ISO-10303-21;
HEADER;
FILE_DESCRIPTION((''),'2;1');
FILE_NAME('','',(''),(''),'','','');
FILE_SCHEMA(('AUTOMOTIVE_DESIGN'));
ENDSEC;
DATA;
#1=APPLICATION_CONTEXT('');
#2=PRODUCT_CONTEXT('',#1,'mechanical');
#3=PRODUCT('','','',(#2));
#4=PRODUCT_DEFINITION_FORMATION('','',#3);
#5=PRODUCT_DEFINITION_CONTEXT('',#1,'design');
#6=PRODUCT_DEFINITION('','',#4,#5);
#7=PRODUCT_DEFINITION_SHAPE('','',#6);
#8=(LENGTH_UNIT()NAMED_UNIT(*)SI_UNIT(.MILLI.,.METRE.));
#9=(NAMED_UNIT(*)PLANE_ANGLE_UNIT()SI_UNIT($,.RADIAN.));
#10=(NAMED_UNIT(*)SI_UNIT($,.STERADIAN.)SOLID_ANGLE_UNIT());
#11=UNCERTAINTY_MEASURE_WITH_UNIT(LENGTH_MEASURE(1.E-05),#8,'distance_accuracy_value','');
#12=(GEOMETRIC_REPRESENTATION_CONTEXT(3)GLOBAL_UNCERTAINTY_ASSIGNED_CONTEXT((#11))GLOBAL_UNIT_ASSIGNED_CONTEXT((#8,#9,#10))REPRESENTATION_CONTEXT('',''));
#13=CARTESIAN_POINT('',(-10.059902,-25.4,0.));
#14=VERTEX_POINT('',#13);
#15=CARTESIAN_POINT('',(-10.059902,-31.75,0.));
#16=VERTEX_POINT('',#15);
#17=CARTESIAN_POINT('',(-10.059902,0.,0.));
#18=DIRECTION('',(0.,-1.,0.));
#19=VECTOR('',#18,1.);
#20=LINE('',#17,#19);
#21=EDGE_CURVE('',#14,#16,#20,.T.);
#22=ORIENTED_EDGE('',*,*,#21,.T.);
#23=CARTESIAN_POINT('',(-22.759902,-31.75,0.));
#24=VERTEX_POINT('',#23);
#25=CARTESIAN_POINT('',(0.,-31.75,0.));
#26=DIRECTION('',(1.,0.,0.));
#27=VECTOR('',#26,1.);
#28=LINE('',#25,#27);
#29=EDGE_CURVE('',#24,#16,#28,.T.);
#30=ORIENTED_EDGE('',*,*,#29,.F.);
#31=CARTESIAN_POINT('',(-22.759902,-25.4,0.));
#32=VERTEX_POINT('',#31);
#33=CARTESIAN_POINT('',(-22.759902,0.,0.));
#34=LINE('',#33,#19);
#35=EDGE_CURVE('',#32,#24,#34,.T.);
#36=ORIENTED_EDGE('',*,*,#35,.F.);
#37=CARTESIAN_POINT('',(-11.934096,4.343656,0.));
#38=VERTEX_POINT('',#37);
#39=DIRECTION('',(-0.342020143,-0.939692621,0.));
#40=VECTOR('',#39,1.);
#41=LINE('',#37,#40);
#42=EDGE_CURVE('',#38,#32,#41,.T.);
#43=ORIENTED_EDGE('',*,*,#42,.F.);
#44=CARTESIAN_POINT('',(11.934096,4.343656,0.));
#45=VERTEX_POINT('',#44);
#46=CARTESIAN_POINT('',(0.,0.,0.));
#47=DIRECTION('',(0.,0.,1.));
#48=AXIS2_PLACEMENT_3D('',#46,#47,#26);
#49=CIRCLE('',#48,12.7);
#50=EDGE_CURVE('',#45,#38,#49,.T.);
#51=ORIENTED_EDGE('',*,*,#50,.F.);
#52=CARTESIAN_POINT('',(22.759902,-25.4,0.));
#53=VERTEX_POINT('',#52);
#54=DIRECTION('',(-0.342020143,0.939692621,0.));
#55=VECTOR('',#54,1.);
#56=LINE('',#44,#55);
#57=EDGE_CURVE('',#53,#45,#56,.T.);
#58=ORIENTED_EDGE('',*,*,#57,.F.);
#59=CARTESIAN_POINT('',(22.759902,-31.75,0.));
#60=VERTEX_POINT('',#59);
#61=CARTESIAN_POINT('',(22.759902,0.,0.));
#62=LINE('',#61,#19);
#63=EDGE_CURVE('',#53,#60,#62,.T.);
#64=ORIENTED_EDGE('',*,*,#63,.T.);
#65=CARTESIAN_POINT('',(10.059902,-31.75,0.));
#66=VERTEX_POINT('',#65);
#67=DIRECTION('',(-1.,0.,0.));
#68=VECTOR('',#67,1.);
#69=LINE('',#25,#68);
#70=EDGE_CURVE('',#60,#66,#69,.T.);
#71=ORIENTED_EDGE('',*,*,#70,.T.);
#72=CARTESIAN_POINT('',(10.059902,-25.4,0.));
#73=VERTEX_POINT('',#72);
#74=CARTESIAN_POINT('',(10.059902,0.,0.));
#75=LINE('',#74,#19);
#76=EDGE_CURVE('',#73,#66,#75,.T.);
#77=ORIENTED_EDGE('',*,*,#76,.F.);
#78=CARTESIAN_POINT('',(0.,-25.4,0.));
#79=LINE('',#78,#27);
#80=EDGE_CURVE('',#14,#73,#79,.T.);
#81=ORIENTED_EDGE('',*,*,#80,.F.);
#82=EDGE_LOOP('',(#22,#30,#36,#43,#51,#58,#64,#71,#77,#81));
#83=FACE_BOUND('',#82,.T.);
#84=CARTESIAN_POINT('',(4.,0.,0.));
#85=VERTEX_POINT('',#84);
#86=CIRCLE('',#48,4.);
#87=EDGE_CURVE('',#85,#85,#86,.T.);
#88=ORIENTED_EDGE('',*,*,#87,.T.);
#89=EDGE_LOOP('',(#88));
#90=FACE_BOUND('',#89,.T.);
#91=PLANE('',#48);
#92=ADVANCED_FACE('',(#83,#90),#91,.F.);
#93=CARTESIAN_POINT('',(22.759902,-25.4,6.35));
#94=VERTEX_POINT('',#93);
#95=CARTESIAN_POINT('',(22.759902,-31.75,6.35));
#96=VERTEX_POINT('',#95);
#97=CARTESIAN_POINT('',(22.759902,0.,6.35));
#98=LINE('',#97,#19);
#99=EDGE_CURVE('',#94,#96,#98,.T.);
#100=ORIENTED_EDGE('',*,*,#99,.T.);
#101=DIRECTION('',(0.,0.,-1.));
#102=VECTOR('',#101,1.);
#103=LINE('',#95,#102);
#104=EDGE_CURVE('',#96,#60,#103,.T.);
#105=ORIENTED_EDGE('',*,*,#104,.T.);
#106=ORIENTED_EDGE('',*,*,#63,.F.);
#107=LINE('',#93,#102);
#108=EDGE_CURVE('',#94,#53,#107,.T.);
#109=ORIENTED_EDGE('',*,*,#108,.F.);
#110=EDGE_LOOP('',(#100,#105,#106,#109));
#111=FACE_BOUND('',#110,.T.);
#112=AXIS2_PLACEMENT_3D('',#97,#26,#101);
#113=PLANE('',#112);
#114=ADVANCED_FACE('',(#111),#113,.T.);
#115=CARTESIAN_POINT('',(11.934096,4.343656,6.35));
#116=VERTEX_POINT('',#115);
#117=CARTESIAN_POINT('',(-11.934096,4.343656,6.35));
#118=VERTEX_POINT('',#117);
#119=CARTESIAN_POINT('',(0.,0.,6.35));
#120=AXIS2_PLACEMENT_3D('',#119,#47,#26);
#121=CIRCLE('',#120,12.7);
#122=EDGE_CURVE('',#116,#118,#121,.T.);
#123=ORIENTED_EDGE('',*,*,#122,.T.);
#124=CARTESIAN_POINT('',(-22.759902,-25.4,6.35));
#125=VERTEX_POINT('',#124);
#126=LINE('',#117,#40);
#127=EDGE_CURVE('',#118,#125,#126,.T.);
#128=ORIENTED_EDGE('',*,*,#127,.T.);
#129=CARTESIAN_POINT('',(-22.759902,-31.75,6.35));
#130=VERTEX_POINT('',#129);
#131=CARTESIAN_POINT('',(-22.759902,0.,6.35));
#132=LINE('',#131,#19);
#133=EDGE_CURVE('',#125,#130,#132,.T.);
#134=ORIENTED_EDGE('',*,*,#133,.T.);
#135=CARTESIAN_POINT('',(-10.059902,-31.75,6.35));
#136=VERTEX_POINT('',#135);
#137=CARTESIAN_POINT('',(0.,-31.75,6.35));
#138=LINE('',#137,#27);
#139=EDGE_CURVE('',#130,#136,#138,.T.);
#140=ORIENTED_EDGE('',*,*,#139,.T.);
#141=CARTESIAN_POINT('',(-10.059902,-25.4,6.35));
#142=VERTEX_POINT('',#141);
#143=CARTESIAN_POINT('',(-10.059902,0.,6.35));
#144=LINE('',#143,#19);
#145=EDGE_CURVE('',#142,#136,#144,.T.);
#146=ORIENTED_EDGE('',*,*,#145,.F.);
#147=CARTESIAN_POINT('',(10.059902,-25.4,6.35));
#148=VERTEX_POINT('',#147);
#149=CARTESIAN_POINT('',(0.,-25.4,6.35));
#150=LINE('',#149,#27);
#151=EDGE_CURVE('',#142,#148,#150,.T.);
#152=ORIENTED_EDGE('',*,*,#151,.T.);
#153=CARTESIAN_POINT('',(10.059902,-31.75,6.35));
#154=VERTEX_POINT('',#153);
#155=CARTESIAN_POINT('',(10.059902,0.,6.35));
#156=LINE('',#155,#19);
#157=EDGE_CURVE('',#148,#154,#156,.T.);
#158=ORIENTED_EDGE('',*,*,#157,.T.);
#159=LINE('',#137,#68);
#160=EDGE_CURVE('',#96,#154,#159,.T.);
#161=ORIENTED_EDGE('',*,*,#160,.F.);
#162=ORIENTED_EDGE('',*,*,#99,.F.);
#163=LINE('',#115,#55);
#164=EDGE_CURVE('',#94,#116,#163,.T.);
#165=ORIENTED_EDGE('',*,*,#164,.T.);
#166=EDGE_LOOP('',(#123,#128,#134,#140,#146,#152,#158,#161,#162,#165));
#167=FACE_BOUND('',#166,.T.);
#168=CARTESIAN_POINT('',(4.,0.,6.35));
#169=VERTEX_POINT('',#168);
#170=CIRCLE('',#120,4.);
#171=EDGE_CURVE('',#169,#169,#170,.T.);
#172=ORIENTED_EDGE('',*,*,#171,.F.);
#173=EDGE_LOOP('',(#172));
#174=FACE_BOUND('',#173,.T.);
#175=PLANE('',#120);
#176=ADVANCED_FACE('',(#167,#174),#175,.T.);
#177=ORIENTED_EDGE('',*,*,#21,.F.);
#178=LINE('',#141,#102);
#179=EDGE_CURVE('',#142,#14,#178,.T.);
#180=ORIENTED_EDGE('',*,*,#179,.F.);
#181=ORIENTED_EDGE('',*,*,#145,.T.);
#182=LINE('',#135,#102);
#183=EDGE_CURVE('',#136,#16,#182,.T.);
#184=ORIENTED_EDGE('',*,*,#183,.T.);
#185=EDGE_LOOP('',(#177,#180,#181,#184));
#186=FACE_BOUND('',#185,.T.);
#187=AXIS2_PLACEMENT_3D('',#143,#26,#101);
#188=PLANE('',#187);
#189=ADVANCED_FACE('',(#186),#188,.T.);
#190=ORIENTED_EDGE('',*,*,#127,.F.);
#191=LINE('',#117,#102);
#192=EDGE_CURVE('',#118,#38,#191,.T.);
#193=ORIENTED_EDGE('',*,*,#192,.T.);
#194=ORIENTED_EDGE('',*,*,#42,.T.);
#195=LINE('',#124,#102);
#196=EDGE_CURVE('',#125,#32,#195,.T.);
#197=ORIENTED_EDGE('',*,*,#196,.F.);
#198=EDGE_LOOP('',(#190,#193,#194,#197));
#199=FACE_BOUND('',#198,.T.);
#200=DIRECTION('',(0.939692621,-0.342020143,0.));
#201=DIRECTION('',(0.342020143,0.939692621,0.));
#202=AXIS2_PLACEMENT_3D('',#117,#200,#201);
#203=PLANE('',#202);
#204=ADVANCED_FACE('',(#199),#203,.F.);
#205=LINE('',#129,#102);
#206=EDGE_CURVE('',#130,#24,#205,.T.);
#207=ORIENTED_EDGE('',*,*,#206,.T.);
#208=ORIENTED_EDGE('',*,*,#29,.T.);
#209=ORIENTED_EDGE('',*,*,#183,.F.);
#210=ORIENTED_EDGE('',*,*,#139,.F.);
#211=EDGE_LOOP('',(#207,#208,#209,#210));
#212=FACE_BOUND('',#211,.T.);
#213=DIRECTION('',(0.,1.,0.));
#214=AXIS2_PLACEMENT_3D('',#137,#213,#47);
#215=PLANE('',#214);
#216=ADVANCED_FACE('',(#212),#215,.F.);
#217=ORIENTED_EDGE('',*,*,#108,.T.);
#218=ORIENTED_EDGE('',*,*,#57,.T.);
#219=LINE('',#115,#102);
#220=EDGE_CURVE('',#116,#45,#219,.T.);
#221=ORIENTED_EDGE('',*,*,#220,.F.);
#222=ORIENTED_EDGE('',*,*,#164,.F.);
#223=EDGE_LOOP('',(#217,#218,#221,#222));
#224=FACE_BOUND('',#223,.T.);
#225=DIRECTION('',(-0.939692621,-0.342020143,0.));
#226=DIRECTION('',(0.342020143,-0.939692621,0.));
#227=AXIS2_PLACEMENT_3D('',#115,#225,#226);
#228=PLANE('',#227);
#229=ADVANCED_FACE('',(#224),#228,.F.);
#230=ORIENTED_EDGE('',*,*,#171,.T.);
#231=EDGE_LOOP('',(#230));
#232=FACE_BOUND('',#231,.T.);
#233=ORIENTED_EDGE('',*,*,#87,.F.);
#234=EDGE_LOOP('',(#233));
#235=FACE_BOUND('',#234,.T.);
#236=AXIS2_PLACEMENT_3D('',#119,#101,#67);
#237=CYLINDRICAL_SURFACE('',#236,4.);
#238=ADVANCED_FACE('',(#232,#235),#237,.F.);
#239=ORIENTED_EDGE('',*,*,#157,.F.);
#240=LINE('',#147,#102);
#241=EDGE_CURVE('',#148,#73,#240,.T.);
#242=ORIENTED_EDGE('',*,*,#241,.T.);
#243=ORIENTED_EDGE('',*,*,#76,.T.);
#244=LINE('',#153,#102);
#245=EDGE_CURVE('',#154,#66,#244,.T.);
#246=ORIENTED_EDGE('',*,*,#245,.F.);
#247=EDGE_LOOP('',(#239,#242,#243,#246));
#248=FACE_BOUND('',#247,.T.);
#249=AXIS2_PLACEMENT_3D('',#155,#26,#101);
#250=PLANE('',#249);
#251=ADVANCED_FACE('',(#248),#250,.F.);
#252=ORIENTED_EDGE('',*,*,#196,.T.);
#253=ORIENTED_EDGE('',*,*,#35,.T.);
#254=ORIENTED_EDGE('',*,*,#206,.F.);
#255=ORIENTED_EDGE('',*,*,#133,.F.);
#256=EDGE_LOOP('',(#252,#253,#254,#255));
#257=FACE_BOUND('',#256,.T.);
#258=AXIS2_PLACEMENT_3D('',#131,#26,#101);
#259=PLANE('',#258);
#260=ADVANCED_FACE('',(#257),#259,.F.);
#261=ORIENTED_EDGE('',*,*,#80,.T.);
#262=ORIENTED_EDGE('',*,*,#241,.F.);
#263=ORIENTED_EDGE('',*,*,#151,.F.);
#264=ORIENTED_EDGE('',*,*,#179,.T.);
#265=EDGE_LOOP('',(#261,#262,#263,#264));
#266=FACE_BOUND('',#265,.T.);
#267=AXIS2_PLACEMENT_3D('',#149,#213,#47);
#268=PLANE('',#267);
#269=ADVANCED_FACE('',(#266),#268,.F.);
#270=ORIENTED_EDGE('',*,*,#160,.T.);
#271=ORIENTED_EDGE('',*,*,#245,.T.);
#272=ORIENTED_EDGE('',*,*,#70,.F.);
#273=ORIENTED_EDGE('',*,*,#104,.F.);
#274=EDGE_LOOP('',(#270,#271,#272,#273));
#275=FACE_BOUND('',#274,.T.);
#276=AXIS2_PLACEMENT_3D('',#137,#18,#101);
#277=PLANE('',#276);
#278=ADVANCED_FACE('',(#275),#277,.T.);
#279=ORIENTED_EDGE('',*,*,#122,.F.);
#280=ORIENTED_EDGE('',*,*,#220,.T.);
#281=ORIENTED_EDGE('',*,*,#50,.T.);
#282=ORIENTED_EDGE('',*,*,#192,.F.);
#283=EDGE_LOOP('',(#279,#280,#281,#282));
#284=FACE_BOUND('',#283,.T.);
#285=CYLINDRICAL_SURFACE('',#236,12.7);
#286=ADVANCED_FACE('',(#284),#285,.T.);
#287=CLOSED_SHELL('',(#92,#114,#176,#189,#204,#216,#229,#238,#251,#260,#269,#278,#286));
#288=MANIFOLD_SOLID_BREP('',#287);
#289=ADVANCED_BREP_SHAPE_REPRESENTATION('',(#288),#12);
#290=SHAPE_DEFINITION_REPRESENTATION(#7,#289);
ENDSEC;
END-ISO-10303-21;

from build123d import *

# Parameters (mm, degrees)
SKETCH2_W           = 12.7
SKETCH2_H           = 6.35
SKETCH2_R           = 4
BOSS_EXTRUDE1_DEPTH = 6.35


with BuildPart() as part:
    # Sketch2 → Boss-Extrude1 (new body)
    # profile 1 of 3: a face of its own
    with BuildSketch(Plane.XY):
        with Locations((-16.409901661, -28.575)):
            Rectangle(SKETCH2_W, SKETCH2_H)
    # profile 2 of 3: a face of its own
    with BuildSketch(Plane.XY):
        with BuildLine():
            Line((22.759901661, -25.4), (11.934096284, 4.34365582))
            ThreePointArc((11.934096284, 4.34365582), (0, 12.7), (-11.934096284, 4.34365582))
            Line((-11.934096284, 4.34365582), (-22.759901661, -25.4))
            Line((-22.759901661, -25.4), (22.759901661, -25.4))
        make_face()
        Circle(SKETCH2_R, mode=Mode.SUBTRACT)
    # profile 3 of 3: a face of its own
    with BuildSketch(Plane.XY):
        with Locations((16.409901661, -28.575)):
            Rectangle(SKETCH2_W, SKETCH2_H)
    extrude(amount=BOSS_EXTRUDE1_DEPTH)


solid = part.part
